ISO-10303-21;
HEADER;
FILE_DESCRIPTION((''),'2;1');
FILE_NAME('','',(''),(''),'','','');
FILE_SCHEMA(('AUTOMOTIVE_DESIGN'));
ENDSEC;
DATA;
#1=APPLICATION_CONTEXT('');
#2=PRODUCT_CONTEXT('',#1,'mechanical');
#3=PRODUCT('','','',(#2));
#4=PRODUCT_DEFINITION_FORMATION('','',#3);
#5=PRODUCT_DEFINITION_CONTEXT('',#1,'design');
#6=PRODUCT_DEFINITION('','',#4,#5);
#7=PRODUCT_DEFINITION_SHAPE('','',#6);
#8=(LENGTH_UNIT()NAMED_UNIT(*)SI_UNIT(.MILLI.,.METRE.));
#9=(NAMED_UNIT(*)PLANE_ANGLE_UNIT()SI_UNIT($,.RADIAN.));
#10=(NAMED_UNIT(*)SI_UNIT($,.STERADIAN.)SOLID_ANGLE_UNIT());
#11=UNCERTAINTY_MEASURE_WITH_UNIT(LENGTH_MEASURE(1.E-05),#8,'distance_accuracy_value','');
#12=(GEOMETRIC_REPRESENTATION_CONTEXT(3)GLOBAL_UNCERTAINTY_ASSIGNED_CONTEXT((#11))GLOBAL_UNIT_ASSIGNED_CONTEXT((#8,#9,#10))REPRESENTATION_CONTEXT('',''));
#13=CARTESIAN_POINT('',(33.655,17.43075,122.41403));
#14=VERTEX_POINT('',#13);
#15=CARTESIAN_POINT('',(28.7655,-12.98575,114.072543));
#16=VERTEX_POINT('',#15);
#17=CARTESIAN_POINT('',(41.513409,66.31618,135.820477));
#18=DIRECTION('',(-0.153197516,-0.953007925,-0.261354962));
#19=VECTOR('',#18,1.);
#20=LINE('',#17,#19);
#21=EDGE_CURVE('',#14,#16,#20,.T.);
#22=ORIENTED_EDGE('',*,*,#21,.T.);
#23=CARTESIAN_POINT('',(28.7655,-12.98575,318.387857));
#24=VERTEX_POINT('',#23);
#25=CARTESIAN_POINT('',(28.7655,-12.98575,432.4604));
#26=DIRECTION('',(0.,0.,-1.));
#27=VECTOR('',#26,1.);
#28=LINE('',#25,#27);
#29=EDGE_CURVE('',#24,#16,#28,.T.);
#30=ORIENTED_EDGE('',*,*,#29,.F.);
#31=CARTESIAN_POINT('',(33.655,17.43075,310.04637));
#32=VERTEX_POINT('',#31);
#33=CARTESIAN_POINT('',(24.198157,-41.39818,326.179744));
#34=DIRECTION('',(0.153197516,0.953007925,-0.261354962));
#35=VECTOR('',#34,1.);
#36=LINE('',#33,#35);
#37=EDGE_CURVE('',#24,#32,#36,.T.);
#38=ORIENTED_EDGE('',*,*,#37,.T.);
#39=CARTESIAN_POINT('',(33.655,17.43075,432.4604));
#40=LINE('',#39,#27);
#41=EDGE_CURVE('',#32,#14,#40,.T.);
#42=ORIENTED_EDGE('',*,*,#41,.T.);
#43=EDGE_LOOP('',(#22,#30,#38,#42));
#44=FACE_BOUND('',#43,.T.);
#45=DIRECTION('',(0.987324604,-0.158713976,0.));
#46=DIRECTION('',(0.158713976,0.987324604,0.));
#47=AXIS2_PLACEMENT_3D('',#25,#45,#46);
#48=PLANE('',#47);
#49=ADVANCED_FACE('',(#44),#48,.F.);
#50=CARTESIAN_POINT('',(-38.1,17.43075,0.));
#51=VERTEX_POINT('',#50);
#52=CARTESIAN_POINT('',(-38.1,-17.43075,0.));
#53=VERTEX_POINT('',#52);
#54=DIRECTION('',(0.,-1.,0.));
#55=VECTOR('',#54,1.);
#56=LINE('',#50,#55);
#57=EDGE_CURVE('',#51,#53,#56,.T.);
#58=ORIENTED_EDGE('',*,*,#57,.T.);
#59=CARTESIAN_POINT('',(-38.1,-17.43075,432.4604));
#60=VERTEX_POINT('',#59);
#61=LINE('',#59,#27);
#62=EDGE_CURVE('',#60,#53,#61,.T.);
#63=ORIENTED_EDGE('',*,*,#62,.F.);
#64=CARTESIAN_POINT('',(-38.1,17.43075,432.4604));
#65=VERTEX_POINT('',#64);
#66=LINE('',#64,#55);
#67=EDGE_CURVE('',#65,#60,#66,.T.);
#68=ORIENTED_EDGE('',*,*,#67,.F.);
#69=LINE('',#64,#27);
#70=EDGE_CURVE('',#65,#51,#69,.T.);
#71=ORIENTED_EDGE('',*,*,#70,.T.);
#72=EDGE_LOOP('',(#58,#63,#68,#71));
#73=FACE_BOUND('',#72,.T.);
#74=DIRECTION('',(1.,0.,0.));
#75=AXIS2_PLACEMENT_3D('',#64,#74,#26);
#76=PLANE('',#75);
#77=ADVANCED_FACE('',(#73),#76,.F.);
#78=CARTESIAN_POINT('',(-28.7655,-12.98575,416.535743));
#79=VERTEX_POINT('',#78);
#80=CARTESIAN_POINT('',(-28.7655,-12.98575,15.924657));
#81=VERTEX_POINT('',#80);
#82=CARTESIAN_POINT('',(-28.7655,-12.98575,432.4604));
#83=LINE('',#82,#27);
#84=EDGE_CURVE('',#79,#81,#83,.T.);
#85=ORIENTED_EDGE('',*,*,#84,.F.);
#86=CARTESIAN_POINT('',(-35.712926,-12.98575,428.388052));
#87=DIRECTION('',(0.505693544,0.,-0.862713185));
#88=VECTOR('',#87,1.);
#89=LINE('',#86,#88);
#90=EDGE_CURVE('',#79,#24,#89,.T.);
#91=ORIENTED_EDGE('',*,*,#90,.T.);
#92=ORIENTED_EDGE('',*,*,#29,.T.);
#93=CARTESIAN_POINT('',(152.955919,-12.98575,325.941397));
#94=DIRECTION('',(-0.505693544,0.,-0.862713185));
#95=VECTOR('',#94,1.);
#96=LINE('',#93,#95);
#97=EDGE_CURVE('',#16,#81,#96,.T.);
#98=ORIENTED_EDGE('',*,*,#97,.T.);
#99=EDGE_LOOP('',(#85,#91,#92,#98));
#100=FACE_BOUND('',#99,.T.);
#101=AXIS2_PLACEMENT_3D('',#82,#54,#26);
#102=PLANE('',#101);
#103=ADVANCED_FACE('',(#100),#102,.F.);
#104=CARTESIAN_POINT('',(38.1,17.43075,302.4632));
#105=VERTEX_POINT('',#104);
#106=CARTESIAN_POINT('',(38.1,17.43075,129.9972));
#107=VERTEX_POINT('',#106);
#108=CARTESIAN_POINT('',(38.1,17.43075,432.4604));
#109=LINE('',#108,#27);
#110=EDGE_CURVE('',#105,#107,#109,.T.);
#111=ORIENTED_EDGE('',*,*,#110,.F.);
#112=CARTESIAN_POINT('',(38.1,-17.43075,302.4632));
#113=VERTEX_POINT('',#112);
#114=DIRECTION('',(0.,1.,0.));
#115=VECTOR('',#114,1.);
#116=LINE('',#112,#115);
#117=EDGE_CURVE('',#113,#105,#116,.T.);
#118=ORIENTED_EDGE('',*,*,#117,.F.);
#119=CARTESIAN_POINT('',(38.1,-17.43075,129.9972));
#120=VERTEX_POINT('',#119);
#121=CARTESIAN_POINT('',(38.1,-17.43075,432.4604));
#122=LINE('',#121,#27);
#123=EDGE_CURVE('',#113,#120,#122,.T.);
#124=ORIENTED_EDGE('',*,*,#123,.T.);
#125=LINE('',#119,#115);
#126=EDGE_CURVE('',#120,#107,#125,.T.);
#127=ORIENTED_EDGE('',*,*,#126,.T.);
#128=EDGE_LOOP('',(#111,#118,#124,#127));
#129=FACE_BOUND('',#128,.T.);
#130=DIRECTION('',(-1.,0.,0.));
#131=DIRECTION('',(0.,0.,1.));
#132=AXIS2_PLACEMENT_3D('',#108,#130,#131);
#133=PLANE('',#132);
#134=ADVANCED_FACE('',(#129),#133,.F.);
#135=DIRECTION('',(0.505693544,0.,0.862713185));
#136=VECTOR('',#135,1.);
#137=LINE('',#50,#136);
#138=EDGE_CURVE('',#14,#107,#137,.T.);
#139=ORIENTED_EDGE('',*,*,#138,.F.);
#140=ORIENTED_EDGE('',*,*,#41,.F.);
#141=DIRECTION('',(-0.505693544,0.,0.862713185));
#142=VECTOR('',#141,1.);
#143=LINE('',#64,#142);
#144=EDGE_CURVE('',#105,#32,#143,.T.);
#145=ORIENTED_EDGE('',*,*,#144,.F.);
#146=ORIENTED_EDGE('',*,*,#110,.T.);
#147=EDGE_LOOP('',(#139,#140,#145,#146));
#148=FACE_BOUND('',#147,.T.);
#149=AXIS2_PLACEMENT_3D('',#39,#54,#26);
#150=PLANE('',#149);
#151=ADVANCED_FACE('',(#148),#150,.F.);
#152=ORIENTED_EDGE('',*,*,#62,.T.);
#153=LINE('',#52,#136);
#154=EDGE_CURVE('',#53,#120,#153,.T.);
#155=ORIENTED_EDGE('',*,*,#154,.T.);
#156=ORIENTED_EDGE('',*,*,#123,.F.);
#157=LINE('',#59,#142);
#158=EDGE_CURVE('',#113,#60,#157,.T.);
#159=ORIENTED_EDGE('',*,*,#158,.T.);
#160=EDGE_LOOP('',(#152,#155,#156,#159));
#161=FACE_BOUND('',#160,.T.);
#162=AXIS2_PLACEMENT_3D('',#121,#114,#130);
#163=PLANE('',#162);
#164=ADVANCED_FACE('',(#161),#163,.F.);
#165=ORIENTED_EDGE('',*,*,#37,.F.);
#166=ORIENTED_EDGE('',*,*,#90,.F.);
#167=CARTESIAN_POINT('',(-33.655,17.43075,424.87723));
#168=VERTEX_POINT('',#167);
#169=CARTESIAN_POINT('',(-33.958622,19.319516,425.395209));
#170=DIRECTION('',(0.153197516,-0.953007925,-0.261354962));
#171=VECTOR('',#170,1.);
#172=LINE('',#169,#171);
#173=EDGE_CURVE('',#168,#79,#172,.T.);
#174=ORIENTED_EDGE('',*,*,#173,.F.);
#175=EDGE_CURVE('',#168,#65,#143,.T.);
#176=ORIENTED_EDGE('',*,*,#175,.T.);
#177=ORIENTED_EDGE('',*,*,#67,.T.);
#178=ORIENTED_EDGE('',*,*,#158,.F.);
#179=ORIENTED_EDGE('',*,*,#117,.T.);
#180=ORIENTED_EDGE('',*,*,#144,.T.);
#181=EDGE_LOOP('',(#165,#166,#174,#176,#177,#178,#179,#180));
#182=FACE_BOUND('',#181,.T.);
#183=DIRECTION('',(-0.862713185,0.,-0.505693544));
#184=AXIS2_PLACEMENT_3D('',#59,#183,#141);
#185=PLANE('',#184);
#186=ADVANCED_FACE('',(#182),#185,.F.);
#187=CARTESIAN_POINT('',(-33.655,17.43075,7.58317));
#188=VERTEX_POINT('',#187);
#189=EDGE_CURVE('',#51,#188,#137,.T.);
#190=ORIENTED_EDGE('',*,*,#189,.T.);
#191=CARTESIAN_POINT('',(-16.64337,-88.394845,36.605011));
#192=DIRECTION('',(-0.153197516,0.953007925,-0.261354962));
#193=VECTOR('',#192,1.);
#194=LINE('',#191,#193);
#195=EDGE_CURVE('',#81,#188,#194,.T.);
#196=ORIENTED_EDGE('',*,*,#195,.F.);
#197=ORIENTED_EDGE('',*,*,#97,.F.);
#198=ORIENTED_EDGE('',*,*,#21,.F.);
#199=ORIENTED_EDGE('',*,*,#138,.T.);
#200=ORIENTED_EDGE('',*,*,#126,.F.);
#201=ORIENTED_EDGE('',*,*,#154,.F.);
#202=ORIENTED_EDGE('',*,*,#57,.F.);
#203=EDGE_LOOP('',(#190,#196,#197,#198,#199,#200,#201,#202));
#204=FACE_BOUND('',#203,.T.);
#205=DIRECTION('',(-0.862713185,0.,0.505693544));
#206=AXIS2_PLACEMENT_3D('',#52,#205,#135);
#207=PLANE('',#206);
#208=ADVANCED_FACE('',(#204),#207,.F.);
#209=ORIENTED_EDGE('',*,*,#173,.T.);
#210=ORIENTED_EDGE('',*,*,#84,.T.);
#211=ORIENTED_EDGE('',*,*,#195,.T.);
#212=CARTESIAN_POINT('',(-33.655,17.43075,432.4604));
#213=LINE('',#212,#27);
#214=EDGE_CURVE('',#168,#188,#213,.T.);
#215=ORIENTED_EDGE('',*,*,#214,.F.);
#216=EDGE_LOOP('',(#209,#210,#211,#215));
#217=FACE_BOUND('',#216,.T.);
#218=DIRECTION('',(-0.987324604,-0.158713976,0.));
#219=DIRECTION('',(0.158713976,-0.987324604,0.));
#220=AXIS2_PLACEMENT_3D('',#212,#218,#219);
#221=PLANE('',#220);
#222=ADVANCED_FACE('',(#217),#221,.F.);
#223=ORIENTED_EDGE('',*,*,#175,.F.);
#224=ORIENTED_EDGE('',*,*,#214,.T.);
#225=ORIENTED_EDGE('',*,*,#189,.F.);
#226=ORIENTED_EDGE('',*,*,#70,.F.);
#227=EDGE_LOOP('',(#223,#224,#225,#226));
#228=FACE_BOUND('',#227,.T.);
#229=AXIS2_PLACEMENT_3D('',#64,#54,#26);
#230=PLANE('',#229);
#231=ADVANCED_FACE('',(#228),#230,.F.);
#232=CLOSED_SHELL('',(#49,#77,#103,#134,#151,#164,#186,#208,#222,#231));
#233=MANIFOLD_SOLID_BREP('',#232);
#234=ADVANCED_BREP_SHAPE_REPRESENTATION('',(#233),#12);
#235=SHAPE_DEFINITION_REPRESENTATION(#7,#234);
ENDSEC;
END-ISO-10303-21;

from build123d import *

# Parameters (mm, degrees)
BOSS_EXTRUDE1_DEPTH     = 432.4604
CUT_EXTRUDE1_DEPTH      = 18.43075
CUT_EXTRUDE1_DEPTH_BACK = 18.43075


with BuildPart() as part:
    # Sketch1 → Boss-Extrude1 (new body)
    with BuildSketch(Plane.XY):
        Polygon((-28.7655, -12.98575), (28.7655, -12.98575), (33.655, 17.43075), (38.1, 17.43075), (38.1, -17.43075), (-38.1, -17.43075), (-38.1, 17.43075), (-33.655, 17.43075), align=None)
    extrude(amount=BOSS_EXTRUDE1_DEPTH)

    # Sketch2 → Cut-Extrude1 (cut, two sides)
    with BuildSketch(Plane(origin=(0, 0, 0), x_dir=(1, 0, 0), z_dir=(0, 1, 0))) as cut_extrude1_sk:
        Polygon((-38.1, 0), (38.1, -129.9972), (38.1, 0), align=None)
        Polygon((-38.1, -432.4604), (38.1, -302.4632), (38.1, -432.4604), align=None)
    extrude(amount=CUT_EXTRUDE1_DEPTH, mode=Mode.SUBTRACT)
    extrude(cut_extrude1_sk.sketch, amount=-CUT_EXTRUDE1_DEPTH_BACK, mode=Mode.SUBTRACT)


solid = part.part
